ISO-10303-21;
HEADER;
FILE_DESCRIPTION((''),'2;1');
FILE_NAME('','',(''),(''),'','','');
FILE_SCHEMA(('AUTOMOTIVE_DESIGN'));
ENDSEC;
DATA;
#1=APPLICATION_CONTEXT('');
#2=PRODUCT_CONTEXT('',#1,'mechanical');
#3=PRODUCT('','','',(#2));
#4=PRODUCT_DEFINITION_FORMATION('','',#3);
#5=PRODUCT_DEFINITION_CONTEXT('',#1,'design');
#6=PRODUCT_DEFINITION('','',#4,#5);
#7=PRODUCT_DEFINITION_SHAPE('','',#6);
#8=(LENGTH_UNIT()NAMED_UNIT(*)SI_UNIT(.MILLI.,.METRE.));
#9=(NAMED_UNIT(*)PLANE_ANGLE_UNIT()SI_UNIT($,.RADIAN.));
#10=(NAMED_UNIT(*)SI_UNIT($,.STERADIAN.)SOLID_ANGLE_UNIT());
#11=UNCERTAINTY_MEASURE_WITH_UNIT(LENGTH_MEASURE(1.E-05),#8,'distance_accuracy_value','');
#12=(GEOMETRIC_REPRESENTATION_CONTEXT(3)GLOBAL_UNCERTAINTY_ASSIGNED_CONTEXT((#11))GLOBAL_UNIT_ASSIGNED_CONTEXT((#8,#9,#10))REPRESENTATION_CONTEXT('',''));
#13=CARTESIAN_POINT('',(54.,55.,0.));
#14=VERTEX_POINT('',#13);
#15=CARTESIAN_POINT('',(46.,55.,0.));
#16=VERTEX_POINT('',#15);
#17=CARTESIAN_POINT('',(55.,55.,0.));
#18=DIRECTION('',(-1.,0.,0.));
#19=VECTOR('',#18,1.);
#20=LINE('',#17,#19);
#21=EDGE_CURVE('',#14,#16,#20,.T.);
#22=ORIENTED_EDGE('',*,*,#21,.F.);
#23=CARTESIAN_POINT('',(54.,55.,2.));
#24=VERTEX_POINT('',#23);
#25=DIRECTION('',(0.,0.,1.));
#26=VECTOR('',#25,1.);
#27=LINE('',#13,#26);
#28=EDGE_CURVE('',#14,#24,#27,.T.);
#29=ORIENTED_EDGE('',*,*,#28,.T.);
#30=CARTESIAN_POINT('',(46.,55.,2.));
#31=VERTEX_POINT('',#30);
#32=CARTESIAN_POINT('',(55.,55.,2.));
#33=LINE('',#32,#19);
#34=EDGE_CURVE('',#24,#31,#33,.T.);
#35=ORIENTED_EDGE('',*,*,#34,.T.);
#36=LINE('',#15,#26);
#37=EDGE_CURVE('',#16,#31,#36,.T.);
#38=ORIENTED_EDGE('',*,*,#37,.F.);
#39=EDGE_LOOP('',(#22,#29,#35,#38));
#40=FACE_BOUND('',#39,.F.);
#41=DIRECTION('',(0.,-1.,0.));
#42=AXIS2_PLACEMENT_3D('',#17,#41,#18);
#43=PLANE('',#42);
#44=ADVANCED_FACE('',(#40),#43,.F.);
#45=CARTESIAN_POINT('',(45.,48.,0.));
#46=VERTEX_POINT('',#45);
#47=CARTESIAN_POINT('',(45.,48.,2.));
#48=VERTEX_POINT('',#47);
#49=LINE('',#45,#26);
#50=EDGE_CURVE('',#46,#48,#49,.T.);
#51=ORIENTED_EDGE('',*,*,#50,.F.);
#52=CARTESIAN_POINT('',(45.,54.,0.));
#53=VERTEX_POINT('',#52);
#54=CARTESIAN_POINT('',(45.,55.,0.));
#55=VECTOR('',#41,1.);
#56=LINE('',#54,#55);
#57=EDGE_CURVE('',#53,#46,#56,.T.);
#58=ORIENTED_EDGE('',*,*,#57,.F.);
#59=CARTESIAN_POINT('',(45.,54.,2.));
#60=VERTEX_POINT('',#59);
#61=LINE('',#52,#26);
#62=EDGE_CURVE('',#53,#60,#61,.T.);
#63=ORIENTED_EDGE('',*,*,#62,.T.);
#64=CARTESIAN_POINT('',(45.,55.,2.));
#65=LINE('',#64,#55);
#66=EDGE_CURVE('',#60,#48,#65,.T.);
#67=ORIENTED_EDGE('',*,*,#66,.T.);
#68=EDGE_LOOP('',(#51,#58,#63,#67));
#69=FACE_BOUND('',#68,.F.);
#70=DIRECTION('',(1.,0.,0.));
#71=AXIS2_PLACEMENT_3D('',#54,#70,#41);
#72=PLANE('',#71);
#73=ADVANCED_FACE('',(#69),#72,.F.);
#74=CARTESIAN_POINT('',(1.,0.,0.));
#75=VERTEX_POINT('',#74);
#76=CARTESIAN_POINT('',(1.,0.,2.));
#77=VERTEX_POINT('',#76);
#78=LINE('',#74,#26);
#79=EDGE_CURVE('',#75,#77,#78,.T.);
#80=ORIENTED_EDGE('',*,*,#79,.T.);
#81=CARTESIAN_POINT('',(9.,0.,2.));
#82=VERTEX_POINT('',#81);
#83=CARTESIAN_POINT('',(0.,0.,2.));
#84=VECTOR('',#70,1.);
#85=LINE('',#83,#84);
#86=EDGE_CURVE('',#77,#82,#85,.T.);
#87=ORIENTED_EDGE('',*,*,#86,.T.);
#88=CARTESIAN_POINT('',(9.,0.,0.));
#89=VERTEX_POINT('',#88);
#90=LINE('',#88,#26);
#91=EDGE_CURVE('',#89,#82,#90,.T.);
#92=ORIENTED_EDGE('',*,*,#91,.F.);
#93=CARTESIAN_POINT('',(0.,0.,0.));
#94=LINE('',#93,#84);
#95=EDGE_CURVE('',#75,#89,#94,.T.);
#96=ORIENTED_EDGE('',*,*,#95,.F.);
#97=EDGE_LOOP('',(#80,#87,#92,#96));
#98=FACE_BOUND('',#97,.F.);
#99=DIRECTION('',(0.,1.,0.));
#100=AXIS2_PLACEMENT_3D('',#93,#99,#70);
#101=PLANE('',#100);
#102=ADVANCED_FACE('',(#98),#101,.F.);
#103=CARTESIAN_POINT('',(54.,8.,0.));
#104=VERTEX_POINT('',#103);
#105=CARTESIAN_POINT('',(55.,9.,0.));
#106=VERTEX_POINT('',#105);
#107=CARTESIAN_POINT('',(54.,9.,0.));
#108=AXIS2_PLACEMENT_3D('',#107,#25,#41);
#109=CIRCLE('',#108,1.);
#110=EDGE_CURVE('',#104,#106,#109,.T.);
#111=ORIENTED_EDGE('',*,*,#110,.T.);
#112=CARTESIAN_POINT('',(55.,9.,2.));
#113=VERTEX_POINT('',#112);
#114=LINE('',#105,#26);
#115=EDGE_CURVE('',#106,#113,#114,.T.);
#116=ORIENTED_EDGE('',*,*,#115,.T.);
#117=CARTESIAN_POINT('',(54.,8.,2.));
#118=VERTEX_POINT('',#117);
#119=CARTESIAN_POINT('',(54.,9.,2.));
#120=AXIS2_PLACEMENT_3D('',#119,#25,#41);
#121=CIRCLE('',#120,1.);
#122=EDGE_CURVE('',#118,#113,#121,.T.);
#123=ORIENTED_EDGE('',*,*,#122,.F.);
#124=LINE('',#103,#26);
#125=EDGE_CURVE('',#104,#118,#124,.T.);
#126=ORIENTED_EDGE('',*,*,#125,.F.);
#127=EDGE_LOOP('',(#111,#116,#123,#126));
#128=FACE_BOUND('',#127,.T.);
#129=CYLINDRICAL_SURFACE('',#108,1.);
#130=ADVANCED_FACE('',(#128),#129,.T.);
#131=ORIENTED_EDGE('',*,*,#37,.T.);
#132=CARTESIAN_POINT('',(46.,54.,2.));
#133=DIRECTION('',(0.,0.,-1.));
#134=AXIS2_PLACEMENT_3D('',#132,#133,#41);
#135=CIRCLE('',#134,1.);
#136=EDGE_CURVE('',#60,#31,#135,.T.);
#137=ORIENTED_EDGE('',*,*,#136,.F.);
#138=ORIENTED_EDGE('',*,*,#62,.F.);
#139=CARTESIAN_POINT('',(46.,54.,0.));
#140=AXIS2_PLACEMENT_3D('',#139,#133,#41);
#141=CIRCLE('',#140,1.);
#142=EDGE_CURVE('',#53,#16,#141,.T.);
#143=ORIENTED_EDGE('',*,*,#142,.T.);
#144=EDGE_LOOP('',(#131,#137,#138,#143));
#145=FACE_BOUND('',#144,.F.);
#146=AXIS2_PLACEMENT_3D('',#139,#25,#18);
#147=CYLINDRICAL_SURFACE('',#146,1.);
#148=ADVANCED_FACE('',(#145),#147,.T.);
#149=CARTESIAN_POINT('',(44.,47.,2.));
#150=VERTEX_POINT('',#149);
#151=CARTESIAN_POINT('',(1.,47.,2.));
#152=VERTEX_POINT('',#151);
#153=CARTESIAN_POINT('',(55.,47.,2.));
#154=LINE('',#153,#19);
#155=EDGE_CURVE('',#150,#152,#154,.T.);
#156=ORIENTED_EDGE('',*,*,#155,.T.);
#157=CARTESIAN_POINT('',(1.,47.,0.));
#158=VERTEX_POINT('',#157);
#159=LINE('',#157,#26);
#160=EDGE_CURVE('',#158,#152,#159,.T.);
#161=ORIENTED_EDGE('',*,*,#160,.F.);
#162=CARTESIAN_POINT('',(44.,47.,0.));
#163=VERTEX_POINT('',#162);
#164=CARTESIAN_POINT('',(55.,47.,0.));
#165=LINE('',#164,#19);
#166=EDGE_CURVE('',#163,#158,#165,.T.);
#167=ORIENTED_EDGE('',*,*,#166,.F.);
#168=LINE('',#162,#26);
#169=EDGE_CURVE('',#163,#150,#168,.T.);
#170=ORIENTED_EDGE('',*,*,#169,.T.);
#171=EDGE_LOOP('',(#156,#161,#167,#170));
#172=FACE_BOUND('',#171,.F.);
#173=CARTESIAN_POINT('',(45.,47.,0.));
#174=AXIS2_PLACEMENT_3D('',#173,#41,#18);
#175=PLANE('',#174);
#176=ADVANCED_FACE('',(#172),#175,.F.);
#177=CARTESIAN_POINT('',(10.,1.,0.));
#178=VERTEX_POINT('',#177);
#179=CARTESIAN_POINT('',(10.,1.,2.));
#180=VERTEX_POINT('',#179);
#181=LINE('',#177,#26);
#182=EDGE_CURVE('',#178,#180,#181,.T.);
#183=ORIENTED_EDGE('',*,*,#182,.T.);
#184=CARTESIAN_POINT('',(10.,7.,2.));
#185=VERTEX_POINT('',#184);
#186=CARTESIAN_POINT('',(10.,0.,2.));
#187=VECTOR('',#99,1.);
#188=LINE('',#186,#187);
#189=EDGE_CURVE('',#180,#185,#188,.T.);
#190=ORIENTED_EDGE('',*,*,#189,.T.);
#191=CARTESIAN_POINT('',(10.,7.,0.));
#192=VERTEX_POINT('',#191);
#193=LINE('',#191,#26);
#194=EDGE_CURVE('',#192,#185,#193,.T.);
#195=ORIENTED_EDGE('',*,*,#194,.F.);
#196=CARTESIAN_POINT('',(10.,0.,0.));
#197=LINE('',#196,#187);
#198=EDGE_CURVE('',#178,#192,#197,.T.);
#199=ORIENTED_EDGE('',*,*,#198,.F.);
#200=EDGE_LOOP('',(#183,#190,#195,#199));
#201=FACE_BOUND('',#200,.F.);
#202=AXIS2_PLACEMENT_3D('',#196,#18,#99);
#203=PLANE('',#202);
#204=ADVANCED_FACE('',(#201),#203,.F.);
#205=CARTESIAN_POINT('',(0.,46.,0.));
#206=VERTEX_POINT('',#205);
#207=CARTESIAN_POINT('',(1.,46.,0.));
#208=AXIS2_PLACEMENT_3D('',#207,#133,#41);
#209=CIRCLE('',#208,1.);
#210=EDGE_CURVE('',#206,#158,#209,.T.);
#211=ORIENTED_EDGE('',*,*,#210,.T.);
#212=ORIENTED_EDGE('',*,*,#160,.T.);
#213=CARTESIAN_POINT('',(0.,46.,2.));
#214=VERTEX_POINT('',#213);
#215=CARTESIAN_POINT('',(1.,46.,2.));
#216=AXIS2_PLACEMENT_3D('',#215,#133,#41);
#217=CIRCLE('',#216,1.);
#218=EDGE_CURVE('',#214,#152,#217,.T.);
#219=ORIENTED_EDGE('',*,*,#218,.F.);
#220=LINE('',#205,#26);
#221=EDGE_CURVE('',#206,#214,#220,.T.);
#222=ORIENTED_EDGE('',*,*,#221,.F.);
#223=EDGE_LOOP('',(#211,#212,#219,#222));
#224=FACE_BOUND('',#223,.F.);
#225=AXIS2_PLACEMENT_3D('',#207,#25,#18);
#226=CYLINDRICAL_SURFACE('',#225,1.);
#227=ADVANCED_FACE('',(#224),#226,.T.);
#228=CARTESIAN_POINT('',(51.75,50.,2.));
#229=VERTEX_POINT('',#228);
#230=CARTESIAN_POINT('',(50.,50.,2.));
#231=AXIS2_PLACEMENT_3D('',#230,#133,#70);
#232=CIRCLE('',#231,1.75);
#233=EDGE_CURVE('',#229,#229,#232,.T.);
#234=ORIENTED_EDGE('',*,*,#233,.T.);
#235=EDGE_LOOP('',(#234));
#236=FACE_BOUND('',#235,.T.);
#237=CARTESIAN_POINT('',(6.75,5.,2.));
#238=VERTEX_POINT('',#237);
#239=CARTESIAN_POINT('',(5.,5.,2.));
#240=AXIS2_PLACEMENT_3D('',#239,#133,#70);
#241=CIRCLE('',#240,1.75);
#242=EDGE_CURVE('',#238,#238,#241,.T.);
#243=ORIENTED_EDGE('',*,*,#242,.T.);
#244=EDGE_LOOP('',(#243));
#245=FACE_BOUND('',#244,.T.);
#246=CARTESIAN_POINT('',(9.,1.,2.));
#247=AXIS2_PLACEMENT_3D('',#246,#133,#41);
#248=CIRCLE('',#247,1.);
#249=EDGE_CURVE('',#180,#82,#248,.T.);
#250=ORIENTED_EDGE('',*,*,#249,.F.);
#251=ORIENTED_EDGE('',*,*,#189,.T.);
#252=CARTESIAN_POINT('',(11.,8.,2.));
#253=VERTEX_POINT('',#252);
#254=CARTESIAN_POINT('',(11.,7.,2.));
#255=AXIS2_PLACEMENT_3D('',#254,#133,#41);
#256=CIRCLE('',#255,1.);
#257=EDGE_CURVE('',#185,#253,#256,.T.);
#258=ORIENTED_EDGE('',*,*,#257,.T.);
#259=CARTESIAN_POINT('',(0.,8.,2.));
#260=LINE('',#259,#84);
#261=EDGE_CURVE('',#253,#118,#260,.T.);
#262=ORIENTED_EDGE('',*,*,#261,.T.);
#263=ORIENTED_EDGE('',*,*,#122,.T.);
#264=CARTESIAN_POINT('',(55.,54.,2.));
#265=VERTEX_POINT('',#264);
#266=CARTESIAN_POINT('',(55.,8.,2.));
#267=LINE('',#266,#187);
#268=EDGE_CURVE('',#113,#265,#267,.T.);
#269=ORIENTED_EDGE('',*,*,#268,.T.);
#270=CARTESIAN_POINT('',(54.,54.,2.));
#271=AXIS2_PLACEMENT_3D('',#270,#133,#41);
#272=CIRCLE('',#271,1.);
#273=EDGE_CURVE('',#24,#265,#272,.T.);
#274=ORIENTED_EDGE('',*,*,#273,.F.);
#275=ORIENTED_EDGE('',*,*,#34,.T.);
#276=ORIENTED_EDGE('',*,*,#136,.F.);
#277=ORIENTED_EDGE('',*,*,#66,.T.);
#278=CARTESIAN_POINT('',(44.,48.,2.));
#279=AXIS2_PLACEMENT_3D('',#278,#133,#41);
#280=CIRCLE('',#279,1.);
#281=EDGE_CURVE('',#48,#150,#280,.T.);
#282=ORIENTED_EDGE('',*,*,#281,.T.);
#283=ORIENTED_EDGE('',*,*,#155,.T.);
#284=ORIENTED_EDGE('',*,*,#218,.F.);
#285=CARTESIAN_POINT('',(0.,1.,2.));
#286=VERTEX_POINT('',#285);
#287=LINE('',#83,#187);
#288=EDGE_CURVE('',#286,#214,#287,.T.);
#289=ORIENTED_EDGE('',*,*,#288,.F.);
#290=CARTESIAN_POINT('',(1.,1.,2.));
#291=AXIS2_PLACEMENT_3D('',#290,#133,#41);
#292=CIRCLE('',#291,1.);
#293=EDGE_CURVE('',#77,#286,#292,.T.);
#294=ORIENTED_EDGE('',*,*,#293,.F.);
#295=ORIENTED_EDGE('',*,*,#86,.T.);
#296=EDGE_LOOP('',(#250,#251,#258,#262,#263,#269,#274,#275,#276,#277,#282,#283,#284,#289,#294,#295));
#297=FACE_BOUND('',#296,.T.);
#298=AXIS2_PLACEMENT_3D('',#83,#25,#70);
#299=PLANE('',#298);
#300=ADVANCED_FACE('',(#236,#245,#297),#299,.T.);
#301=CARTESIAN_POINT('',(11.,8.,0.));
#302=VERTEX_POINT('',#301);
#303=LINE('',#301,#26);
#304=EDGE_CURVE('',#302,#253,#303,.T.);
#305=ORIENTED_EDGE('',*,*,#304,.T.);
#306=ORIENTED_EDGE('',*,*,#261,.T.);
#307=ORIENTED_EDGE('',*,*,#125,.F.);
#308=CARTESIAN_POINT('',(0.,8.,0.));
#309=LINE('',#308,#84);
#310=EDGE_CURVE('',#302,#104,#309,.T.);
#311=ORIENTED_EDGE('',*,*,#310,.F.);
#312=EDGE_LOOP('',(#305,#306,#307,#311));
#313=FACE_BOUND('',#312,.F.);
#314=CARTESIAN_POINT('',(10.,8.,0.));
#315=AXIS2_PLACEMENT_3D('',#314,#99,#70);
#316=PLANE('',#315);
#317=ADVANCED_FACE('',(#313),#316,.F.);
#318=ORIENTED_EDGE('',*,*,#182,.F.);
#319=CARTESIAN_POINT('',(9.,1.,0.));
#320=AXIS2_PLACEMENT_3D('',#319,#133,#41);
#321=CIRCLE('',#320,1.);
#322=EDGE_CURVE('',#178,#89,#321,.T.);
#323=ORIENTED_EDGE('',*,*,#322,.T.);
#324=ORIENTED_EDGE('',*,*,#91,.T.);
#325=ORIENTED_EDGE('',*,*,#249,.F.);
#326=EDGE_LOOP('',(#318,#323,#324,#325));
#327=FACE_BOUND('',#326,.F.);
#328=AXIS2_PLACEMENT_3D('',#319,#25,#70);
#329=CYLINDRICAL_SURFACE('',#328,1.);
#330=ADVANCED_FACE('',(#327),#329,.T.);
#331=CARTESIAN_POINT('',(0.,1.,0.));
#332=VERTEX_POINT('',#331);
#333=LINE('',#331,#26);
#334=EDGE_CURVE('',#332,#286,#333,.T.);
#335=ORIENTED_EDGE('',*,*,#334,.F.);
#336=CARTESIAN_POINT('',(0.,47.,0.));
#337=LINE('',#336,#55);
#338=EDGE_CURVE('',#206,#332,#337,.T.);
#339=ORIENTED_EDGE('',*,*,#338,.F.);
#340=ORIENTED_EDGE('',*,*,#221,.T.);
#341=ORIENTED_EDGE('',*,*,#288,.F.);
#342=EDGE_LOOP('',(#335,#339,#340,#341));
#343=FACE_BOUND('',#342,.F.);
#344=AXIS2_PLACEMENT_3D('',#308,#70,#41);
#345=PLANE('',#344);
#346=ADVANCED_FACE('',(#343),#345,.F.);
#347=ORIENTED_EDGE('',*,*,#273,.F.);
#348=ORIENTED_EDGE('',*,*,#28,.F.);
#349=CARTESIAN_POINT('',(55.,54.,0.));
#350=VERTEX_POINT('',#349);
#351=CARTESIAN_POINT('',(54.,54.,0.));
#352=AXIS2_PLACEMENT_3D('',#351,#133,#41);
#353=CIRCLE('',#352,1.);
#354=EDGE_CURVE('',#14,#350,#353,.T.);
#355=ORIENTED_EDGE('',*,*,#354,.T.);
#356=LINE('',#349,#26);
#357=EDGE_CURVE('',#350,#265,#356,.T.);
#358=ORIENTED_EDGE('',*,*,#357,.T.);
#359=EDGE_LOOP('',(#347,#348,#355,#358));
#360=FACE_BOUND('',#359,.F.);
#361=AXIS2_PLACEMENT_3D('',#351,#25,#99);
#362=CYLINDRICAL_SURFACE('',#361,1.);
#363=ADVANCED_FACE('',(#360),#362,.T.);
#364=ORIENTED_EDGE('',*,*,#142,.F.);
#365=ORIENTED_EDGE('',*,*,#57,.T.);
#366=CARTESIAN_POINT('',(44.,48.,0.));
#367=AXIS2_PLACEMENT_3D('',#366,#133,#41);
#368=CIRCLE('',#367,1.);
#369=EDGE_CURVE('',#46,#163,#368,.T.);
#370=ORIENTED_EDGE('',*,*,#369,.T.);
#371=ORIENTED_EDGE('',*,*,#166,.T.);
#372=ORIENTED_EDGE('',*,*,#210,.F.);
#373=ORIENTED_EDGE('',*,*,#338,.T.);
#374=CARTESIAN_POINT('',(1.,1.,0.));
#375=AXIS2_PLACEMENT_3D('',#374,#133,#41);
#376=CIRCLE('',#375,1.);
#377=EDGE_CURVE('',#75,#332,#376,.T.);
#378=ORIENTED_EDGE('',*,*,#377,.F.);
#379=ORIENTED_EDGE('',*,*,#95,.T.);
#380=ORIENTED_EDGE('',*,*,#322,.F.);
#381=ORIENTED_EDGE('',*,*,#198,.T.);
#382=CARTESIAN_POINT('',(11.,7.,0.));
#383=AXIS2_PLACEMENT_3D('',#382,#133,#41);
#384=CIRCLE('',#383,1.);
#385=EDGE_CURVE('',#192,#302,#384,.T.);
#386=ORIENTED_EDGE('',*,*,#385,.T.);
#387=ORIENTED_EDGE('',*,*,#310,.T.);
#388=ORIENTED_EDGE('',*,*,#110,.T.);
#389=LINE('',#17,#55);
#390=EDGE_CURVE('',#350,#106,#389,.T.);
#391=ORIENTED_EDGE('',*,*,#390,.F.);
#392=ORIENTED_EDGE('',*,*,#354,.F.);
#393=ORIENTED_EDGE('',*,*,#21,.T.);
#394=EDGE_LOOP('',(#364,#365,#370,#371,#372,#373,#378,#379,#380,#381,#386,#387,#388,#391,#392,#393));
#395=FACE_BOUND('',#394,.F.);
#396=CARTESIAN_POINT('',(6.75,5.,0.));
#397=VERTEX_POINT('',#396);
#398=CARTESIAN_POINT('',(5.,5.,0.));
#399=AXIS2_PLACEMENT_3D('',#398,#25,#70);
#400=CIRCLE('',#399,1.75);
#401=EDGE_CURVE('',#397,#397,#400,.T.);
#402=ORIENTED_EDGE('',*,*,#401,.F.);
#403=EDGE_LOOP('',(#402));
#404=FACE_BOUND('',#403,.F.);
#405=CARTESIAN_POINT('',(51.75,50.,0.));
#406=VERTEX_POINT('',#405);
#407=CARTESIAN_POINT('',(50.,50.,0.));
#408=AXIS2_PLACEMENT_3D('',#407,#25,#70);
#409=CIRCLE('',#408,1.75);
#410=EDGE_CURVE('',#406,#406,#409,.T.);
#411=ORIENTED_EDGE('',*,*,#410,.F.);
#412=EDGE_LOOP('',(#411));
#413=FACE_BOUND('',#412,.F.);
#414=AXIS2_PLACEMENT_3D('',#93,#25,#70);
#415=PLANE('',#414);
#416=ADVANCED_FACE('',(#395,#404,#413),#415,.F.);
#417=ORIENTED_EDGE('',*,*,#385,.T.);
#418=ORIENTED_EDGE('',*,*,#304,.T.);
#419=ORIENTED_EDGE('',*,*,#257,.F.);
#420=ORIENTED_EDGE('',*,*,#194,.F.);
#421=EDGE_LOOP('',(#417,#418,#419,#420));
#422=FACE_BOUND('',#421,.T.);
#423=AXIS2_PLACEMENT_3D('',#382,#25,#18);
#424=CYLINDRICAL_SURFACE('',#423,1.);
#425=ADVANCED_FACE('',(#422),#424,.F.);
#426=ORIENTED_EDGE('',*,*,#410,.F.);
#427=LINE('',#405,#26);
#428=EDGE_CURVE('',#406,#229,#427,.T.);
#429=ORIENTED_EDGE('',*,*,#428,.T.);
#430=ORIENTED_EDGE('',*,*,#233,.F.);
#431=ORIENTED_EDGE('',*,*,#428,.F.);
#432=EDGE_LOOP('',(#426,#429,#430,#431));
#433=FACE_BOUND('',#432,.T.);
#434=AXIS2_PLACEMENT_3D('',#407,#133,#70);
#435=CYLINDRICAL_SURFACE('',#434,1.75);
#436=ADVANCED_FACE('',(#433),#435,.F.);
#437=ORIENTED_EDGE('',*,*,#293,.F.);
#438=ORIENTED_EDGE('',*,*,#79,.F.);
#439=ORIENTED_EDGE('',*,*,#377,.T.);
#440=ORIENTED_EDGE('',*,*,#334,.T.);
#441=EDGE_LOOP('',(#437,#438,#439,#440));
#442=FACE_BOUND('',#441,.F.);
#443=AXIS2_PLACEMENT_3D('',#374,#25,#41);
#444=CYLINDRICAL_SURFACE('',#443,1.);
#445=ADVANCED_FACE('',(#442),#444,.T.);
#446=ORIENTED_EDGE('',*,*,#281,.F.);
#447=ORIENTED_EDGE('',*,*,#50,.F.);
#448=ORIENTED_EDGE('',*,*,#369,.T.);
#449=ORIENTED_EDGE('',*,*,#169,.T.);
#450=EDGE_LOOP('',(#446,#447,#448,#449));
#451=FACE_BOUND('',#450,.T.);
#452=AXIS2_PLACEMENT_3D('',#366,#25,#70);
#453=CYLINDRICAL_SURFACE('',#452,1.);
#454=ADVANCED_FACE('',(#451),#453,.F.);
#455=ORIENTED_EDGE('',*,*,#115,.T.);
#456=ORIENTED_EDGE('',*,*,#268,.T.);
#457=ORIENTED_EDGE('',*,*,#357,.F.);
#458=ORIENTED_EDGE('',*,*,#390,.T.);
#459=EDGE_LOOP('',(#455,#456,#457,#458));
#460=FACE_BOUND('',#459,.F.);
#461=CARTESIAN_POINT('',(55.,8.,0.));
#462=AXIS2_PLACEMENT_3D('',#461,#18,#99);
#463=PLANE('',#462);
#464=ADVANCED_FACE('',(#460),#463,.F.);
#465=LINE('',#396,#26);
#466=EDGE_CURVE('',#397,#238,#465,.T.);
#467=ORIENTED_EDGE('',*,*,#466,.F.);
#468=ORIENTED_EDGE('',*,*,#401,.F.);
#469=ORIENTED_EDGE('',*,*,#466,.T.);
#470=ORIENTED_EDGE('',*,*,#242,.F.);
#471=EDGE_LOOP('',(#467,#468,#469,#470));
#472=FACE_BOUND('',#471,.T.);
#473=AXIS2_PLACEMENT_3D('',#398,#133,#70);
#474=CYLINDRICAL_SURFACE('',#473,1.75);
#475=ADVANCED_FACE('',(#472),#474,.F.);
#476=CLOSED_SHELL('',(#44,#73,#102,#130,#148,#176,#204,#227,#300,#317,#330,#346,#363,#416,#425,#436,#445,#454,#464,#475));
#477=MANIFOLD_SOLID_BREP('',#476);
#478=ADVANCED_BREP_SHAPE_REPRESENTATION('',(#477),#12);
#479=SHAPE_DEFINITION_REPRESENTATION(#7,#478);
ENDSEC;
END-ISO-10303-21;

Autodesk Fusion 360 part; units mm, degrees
sketch "Sketch1" plane through (0, 0, 0) normal (0, 0, 1) x (1, 0, 0)
  line L0 (0, 0) -> (55, 0)
  line L1 (55, 0) -> (55, 55)
  line L2 (55, 55) -> (0, 55)
  line L3 (0, 55) -> (0, 0)
  line L4 (55, 55) -> (45, 55)
  line L5 (45, 55) -> (45, 47)
  line L6 (45, 47) -> (55, 47)
  line L7 (55, 47) -> (55, 55)
  line L8 (0, 0) -> (10, 0)
  line L9 (10, 0) -> (10, 8)
  line L10 (10, 8) -> (0, 8)
  line L11 (0, 8) -> (0, 0)
  line L12 (0, 8) -> (55, 8)
  line L13 (55, 8) -> (55, 47)
  line L14 (55, 47) -> (0, 47)
  line L15 (0, 47) -> (0, 8)
  circle A0 centre (5, 5) radius 1.75
  circle A1 centre (50, 50) radius 1.75
  line L16 (0, 10) -> (55, 10)
  line L17 (55, 10) -> (55, 45)
  line L18 (55, 45) -> (0, 45)
  line L19 (0, 45) -> (0, 10)
  dimension "d1" = 55
  dimension "d7" = 3.5
  dimension "d8" = 3.5
  dimension "d9" = 5
  dimension "d11" = 5
  dimension "d47" = 39
  dimension "d48" = 55
  dimension "d49" = 35
  dimension "d50" = 2
  dimension "d53" = 5
  dimension "d54" = 5
  dimension "d55" = 8
  dimension "d56" = 8
  dimension "d57" = 10
  dimension "d58" = 10
extrude "Extrude1" add sketch "Sketch1" along normal blind 2 contours L0 L3 L8 L9 L10 L11 L12 | L1 L3 L10 L12 L13 L15 L16 | L1 L3 L13 L15 L16 L17 L18 L19 | L1 L3 L6 L13 L14 L15 L18 | L1 L2 L4 L5 L6 L7 L14
sketch "Sketch2" plane through (0, 0, 2) normal (0, 0, 1) x (-1, 0, 0)
  circle A0 centre (-50, -50) radius 1.75
  circle A1 centre (-5, -5) radius 1.75
  line L0 (0, -47) -> (0, 0)
  line L1 (0, 0) -> (-10, 0)
  line L2 (-10, 0) -> (-10, -8)
  line L3 (-10, -8) -> (-55, -8)
  line L4 (-55, -8) -> (-55, -55)
  line L5 (-55, -55) -> (-45, -55)
  line L6 (-45, -55) -> (-45, -47)
  line L7 (-45, -47) -> (0, -47)
  circle A2 centre (-5, -5) radius 1.875
  circle A3 centre (-50, -50) radius 1.875
  line L8 (-4.0912, -23.3213) -> (-51.331, -24.5146) construction
  line L9 (-51.331, -24.5146) -> (-51.1199, -32.872) construction
  line L10 (-51.1199, -32.872) -> (-3.8801, -31.6787) construction
  line L11 (-3.8801, -31.6787) -> (-4.0912, -23.3213) construction
  line L12 (0, -47) -> (0, -8)
  line L13 (0, -8) -> (-55, -8)
  dimension "d15" = 3.75
  dimension "d40" = 5
  dimension "d41" = 27.5
  dimension "d42" = 19.5
hole "Hole1" at (50, 50, 2) direction (0, 0, -1) diameter 3.5 depth 2 tip angle 118
hole "Hole2" at (5, 5, 2) direction (0, 0, -1) diameter 3.5 depth 2 tip angle 118
fillet "Fillet1" radius 1 1 edges at (0, 47, 1)
fillet "Fillet2" radius 1 1 edges at (45, 55, 1)
fillet "Fillet3" radius 1 1 edges at (45, 47, 1)
fillet "Fillet4" radius 1 1 edges at (55, 55, 1)
fillet "Fillet5" radius 1 2 edges at (0, 0, 1) (10, 0, 1)
fillet "Fillet6" radius 1 1 edges at (10, 8, 1)
fillet "Fillet7" radius 1 1 edges at (55, 8, 1)
emboss "Emboss1" [suppressed]
